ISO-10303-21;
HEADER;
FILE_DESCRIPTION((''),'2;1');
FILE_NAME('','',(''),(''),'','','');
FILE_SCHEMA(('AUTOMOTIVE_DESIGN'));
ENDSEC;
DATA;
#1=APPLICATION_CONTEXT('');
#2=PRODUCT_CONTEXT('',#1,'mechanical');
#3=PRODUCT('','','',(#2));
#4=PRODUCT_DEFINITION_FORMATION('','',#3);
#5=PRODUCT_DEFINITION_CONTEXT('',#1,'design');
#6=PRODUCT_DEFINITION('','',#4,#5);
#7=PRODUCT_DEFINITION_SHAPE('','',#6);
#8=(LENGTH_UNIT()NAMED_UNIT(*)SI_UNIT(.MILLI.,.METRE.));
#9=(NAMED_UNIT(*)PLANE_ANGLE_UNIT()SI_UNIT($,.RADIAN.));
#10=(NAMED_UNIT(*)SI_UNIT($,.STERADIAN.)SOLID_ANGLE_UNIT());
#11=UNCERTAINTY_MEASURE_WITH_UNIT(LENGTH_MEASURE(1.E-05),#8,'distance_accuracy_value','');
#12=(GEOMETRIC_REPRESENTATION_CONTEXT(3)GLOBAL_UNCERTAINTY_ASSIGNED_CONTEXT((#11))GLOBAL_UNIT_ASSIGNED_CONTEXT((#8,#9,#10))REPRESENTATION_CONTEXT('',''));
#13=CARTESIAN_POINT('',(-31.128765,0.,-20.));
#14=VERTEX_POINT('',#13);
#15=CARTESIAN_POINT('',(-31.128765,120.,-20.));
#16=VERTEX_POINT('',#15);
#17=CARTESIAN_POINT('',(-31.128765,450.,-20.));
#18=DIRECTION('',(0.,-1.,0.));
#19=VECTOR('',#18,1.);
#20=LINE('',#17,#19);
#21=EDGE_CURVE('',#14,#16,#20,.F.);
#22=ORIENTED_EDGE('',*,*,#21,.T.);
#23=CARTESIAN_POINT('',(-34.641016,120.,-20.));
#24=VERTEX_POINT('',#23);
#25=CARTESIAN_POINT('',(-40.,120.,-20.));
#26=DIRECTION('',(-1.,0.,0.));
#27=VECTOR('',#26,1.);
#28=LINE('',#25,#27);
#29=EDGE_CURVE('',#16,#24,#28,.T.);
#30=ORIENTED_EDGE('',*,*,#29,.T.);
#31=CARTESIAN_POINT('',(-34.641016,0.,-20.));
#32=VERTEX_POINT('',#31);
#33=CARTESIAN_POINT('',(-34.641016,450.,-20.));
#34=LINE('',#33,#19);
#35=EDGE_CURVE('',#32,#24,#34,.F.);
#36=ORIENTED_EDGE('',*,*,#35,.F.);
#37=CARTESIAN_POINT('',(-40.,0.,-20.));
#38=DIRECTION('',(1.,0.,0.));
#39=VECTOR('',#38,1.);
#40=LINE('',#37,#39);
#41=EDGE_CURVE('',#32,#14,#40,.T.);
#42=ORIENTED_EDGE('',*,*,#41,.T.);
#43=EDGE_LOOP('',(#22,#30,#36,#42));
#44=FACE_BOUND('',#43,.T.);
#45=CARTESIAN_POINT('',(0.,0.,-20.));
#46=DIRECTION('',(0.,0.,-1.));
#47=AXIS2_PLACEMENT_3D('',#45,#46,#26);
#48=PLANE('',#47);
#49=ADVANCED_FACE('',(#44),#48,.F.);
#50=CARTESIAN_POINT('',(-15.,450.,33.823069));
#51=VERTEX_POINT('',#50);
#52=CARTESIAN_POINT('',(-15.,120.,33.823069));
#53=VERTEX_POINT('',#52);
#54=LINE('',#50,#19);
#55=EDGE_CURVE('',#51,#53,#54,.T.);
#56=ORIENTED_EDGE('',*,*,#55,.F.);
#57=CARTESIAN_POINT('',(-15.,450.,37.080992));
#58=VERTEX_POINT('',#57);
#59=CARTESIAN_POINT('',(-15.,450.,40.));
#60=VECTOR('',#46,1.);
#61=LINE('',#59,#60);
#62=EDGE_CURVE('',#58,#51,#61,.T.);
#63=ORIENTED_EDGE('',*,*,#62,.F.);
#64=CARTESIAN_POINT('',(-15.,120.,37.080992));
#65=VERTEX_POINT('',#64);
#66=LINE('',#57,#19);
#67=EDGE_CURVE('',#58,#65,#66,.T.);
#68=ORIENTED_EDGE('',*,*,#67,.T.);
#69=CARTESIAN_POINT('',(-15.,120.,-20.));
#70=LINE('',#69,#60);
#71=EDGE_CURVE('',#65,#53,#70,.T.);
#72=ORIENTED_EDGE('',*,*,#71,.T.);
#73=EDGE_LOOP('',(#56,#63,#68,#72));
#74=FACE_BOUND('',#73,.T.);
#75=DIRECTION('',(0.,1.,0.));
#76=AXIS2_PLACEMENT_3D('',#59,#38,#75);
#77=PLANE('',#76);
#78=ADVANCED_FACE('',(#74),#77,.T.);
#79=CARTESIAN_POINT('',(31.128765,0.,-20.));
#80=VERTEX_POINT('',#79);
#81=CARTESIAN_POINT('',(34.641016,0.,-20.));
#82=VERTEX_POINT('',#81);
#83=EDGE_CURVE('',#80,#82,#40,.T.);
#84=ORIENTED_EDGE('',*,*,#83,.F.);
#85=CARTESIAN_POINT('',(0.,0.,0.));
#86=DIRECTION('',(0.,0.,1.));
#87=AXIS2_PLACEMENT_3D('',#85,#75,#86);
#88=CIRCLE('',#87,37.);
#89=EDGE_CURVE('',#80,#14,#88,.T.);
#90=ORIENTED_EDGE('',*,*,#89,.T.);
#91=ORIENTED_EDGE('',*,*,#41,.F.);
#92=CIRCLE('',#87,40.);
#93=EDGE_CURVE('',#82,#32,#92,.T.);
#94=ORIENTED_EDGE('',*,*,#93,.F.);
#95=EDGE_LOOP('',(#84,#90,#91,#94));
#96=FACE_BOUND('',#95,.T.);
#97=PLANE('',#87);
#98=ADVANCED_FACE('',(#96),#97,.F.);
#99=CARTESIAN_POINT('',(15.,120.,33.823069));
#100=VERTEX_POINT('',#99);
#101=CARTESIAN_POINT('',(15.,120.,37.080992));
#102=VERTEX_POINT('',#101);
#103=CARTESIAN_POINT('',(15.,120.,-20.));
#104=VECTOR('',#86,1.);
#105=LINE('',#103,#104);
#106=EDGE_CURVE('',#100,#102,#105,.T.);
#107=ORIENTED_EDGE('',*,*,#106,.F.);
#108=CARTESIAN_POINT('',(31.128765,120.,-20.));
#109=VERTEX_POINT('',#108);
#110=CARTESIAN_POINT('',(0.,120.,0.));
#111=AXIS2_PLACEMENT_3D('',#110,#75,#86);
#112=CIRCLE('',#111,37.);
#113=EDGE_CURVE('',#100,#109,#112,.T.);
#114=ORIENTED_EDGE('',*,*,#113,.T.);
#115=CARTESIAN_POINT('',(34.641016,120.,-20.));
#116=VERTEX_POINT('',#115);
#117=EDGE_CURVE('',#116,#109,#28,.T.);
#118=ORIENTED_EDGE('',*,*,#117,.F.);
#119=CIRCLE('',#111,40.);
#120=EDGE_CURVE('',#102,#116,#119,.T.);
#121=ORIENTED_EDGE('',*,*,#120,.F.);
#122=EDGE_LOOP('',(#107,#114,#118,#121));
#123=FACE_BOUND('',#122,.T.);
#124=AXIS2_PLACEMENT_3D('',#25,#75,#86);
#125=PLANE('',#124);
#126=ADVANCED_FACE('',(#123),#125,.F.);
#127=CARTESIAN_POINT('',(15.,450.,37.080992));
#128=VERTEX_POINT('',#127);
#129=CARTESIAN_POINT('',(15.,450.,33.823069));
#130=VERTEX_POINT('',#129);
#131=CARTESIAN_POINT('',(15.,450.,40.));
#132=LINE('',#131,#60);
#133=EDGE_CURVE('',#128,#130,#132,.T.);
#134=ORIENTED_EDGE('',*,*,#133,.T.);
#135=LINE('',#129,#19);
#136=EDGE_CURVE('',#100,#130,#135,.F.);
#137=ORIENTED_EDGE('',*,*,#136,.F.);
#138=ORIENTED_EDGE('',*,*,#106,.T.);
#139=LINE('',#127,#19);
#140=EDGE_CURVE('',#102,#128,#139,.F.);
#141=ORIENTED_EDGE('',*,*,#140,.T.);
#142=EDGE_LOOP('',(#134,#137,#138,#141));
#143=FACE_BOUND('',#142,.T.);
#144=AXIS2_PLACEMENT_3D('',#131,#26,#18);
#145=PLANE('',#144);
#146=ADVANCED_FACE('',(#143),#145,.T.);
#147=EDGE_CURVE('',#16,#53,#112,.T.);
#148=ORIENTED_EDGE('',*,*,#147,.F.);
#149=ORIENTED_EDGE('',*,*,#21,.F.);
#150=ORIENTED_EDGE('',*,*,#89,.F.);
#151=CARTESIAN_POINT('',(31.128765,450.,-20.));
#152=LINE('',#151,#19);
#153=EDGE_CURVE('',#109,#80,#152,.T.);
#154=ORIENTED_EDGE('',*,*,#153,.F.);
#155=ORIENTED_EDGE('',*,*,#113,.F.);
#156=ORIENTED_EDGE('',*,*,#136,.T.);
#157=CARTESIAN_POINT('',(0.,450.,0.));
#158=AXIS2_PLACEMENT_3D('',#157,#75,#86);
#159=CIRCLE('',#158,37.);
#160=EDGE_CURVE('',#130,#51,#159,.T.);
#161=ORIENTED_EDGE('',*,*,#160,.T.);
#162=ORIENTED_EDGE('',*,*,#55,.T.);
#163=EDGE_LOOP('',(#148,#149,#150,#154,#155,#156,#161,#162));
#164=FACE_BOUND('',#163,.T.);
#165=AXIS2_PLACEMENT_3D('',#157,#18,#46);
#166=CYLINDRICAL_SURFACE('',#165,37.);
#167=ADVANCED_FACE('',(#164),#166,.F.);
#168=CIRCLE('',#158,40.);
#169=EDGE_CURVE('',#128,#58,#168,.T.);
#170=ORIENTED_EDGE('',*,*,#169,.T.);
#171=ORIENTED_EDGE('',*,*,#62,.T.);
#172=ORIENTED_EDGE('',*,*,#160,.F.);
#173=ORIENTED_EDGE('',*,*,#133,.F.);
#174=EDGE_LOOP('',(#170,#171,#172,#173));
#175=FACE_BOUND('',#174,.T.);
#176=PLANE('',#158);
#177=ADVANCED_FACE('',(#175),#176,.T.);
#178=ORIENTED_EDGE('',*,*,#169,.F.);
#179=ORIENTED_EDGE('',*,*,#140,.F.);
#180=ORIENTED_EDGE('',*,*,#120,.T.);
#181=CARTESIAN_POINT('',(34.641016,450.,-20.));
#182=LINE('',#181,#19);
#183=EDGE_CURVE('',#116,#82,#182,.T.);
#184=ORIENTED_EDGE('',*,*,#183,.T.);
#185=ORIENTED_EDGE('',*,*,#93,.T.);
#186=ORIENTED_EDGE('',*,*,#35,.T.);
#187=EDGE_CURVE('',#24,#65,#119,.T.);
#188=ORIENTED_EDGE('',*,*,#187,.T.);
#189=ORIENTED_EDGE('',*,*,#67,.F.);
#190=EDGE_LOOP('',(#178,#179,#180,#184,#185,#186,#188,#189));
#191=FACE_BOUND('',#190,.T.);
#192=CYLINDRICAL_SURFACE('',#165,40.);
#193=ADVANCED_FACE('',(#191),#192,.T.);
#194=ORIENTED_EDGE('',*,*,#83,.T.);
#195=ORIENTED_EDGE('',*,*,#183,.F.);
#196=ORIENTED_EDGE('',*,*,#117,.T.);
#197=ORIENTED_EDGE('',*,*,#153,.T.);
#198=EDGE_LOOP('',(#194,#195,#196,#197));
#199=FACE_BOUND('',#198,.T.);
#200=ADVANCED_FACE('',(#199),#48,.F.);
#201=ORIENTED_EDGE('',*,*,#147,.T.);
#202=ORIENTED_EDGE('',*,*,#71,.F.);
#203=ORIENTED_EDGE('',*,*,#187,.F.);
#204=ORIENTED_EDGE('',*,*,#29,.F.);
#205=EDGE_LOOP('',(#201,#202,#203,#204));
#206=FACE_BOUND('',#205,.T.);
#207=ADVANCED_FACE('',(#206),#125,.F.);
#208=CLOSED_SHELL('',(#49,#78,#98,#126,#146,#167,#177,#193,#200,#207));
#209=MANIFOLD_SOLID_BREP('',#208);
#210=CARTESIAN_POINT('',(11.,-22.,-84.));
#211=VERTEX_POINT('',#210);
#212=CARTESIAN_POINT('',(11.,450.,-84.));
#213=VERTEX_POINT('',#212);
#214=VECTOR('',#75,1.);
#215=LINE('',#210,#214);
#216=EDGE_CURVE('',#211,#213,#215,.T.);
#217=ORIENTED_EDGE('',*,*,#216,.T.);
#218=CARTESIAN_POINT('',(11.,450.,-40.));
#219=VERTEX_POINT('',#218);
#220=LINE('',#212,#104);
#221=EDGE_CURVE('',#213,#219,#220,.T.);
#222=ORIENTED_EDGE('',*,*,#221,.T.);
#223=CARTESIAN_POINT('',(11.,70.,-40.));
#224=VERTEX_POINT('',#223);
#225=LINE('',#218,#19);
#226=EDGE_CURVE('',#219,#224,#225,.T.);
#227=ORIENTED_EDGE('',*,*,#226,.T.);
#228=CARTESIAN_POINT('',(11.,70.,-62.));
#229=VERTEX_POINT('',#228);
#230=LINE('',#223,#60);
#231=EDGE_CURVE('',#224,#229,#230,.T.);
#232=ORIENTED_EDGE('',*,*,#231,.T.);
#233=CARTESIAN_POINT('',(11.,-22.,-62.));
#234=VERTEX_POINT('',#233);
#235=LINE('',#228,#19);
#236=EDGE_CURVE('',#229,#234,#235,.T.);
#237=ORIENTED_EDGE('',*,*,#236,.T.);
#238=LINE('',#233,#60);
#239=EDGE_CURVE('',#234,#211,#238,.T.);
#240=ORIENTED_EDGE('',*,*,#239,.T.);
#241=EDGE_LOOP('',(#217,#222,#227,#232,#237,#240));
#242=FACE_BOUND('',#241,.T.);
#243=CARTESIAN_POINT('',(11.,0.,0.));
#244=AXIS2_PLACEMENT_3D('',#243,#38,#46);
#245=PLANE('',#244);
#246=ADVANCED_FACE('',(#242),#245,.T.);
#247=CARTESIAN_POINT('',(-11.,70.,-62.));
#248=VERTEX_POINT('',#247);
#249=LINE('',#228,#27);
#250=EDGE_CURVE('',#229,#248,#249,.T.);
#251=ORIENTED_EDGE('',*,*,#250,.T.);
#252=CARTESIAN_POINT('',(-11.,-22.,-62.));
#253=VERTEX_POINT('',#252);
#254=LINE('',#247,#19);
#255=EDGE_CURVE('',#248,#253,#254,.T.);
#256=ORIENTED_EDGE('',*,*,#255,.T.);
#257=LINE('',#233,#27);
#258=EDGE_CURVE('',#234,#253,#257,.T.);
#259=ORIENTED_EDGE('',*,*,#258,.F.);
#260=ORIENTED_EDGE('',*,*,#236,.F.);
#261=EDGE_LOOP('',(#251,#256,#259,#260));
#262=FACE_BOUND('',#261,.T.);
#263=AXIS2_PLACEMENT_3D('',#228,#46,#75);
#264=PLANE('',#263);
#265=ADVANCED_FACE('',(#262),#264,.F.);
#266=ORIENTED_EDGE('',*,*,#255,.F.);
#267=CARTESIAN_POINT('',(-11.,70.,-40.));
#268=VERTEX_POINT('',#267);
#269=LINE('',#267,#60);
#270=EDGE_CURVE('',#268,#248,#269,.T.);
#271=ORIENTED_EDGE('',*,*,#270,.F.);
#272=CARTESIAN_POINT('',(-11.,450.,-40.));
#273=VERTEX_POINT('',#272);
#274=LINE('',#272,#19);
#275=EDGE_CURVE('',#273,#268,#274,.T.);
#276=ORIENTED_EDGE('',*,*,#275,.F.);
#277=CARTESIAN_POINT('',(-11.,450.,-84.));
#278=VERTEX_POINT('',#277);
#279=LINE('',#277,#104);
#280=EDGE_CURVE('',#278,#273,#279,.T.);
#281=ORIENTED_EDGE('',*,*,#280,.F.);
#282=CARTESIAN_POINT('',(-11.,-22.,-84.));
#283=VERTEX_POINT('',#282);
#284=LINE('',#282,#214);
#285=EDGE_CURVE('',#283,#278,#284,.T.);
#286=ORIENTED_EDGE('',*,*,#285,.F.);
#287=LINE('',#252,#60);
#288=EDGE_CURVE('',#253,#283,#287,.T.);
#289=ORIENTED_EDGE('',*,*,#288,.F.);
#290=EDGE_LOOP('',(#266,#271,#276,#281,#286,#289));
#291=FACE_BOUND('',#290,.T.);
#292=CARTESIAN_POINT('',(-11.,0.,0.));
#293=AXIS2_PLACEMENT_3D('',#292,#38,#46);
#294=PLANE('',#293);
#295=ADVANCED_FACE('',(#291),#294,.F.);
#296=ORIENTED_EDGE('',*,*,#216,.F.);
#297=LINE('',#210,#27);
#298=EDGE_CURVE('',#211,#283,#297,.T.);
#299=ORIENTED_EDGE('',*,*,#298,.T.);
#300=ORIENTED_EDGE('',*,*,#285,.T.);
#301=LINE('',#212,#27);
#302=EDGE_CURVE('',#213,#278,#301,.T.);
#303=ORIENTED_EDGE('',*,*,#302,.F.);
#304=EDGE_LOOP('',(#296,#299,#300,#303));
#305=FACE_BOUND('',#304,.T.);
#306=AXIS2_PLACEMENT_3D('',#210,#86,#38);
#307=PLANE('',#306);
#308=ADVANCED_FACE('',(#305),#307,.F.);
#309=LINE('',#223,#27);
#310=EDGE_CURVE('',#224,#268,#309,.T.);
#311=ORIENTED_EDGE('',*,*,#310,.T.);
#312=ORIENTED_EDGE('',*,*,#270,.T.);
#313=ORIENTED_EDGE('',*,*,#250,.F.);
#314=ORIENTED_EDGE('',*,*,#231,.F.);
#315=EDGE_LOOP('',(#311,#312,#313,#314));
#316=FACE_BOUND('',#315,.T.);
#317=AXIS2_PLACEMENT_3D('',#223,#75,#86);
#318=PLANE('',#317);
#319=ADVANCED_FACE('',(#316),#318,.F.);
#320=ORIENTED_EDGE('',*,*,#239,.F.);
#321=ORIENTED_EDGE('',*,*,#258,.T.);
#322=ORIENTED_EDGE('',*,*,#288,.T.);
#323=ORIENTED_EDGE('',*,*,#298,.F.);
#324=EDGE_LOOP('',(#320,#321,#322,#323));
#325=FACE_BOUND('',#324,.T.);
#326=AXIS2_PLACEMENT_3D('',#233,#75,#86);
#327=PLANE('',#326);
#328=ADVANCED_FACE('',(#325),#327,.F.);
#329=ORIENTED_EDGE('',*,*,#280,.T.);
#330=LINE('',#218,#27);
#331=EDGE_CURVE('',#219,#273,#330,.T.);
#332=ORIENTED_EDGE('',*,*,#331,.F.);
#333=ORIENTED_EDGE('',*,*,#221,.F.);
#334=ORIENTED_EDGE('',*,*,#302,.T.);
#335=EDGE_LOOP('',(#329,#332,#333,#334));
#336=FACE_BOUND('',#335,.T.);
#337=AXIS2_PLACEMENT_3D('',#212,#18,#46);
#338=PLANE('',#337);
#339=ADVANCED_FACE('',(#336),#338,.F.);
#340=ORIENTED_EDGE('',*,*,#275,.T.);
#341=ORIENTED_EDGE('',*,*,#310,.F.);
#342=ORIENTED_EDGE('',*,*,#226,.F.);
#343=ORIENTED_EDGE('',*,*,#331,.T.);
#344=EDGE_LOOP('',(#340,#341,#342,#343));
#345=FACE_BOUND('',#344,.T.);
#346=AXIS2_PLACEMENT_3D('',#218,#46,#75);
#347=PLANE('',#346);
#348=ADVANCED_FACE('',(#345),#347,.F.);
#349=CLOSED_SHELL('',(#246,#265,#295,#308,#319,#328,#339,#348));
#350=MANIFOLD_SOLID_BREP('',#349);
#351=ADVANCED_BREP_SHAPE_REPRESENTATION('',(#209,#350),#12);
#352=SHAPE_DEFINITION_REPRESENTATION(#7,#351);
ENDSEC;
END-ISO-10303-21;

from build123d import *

# Parameters (mm, degrees)
ESQUISSE1_R                  = 40
ESQUISSE1_R_2                = 37
BOSS_EXTRU_1_DEPTH           = 450
ESQUISSE2_W                  = 80
ESQUISSE2_H                  = 120
ENL_V_MAT_EXTRU_1_DEPTH      = 41
ENL_V_MAT_EXTRU_1_DEPTH_BACK = 20
BOSS_EXTRU_2_DEPTH           = 11
ESQUISSE4_W                  = 30
ESQUISSE4_H                  = 450
ENL_V_MAT_EXTRU_2_DEPTH      = 41


with BuildPart() as part:
    # Esquisse1 → Boss.-Extru.1 (new body)
    with BuildSketch(Plane(origin=(0, 0, 0), x_dir=(1, 0, 0), z_dir=(0, 1, 0))):
        Circle(ESQUISSE1_R)
        Circle(ESQUISSE1_R_2, mode=Mode.SUBTRACT)
    extrude(amount=BOSS_EXTRU_1_DEPTH)

    # Esquisse2 → Enlèv. mat.-Extru.1 (cut, two sides)
    with BuildSketch(Plane.XY) as enl_v_mat_extru_1_sk:
        with Locations((0, 60)):
            Rectangle(ESQUISSE2_W, ESQUISSE2_H)
    extrude(amount=ENL_V_MAT_EXTRU_1_DEPTH, mode=Mode.SUBTRACT)
    extrude(enl_v_mat_extru_1_sk.sketch, amount=-ENL_V_MAT_EXTRU_1_DEPTH_BACK, mode=Mode.SUBTRACT)

    # Esquisse4 → Enlèv. mat.-Extru.2 (cut, through all)
    with BuildSketch(Plane.XY):
        with Locations((0, 225)):
            Rectangle(ESQUISSE4_W, ESQUISSE4_H)
    extrude(amount=ENL_V_MAT_EXTRU_2_DEPTH, mode=Mode.SUBTRACT)


with BuildPart() as body_2:
    # Esquisse3 → Boss.-Extru.2 (new body, symmetric)
    with BuildSketch(Plane(origin=(0, 0, 0), x_dir=(0, 0, -1), z_dir=(1, 0, 0))):
        Polygon((62, -22), (84, -22), (84, 450), (40, 450), (40, 70), (62, 70), align=None)
    extrude(amount=BOSS_EXTRU_2_DEPTH, both=True)


solid = Compound([part.part, body_2.part])
